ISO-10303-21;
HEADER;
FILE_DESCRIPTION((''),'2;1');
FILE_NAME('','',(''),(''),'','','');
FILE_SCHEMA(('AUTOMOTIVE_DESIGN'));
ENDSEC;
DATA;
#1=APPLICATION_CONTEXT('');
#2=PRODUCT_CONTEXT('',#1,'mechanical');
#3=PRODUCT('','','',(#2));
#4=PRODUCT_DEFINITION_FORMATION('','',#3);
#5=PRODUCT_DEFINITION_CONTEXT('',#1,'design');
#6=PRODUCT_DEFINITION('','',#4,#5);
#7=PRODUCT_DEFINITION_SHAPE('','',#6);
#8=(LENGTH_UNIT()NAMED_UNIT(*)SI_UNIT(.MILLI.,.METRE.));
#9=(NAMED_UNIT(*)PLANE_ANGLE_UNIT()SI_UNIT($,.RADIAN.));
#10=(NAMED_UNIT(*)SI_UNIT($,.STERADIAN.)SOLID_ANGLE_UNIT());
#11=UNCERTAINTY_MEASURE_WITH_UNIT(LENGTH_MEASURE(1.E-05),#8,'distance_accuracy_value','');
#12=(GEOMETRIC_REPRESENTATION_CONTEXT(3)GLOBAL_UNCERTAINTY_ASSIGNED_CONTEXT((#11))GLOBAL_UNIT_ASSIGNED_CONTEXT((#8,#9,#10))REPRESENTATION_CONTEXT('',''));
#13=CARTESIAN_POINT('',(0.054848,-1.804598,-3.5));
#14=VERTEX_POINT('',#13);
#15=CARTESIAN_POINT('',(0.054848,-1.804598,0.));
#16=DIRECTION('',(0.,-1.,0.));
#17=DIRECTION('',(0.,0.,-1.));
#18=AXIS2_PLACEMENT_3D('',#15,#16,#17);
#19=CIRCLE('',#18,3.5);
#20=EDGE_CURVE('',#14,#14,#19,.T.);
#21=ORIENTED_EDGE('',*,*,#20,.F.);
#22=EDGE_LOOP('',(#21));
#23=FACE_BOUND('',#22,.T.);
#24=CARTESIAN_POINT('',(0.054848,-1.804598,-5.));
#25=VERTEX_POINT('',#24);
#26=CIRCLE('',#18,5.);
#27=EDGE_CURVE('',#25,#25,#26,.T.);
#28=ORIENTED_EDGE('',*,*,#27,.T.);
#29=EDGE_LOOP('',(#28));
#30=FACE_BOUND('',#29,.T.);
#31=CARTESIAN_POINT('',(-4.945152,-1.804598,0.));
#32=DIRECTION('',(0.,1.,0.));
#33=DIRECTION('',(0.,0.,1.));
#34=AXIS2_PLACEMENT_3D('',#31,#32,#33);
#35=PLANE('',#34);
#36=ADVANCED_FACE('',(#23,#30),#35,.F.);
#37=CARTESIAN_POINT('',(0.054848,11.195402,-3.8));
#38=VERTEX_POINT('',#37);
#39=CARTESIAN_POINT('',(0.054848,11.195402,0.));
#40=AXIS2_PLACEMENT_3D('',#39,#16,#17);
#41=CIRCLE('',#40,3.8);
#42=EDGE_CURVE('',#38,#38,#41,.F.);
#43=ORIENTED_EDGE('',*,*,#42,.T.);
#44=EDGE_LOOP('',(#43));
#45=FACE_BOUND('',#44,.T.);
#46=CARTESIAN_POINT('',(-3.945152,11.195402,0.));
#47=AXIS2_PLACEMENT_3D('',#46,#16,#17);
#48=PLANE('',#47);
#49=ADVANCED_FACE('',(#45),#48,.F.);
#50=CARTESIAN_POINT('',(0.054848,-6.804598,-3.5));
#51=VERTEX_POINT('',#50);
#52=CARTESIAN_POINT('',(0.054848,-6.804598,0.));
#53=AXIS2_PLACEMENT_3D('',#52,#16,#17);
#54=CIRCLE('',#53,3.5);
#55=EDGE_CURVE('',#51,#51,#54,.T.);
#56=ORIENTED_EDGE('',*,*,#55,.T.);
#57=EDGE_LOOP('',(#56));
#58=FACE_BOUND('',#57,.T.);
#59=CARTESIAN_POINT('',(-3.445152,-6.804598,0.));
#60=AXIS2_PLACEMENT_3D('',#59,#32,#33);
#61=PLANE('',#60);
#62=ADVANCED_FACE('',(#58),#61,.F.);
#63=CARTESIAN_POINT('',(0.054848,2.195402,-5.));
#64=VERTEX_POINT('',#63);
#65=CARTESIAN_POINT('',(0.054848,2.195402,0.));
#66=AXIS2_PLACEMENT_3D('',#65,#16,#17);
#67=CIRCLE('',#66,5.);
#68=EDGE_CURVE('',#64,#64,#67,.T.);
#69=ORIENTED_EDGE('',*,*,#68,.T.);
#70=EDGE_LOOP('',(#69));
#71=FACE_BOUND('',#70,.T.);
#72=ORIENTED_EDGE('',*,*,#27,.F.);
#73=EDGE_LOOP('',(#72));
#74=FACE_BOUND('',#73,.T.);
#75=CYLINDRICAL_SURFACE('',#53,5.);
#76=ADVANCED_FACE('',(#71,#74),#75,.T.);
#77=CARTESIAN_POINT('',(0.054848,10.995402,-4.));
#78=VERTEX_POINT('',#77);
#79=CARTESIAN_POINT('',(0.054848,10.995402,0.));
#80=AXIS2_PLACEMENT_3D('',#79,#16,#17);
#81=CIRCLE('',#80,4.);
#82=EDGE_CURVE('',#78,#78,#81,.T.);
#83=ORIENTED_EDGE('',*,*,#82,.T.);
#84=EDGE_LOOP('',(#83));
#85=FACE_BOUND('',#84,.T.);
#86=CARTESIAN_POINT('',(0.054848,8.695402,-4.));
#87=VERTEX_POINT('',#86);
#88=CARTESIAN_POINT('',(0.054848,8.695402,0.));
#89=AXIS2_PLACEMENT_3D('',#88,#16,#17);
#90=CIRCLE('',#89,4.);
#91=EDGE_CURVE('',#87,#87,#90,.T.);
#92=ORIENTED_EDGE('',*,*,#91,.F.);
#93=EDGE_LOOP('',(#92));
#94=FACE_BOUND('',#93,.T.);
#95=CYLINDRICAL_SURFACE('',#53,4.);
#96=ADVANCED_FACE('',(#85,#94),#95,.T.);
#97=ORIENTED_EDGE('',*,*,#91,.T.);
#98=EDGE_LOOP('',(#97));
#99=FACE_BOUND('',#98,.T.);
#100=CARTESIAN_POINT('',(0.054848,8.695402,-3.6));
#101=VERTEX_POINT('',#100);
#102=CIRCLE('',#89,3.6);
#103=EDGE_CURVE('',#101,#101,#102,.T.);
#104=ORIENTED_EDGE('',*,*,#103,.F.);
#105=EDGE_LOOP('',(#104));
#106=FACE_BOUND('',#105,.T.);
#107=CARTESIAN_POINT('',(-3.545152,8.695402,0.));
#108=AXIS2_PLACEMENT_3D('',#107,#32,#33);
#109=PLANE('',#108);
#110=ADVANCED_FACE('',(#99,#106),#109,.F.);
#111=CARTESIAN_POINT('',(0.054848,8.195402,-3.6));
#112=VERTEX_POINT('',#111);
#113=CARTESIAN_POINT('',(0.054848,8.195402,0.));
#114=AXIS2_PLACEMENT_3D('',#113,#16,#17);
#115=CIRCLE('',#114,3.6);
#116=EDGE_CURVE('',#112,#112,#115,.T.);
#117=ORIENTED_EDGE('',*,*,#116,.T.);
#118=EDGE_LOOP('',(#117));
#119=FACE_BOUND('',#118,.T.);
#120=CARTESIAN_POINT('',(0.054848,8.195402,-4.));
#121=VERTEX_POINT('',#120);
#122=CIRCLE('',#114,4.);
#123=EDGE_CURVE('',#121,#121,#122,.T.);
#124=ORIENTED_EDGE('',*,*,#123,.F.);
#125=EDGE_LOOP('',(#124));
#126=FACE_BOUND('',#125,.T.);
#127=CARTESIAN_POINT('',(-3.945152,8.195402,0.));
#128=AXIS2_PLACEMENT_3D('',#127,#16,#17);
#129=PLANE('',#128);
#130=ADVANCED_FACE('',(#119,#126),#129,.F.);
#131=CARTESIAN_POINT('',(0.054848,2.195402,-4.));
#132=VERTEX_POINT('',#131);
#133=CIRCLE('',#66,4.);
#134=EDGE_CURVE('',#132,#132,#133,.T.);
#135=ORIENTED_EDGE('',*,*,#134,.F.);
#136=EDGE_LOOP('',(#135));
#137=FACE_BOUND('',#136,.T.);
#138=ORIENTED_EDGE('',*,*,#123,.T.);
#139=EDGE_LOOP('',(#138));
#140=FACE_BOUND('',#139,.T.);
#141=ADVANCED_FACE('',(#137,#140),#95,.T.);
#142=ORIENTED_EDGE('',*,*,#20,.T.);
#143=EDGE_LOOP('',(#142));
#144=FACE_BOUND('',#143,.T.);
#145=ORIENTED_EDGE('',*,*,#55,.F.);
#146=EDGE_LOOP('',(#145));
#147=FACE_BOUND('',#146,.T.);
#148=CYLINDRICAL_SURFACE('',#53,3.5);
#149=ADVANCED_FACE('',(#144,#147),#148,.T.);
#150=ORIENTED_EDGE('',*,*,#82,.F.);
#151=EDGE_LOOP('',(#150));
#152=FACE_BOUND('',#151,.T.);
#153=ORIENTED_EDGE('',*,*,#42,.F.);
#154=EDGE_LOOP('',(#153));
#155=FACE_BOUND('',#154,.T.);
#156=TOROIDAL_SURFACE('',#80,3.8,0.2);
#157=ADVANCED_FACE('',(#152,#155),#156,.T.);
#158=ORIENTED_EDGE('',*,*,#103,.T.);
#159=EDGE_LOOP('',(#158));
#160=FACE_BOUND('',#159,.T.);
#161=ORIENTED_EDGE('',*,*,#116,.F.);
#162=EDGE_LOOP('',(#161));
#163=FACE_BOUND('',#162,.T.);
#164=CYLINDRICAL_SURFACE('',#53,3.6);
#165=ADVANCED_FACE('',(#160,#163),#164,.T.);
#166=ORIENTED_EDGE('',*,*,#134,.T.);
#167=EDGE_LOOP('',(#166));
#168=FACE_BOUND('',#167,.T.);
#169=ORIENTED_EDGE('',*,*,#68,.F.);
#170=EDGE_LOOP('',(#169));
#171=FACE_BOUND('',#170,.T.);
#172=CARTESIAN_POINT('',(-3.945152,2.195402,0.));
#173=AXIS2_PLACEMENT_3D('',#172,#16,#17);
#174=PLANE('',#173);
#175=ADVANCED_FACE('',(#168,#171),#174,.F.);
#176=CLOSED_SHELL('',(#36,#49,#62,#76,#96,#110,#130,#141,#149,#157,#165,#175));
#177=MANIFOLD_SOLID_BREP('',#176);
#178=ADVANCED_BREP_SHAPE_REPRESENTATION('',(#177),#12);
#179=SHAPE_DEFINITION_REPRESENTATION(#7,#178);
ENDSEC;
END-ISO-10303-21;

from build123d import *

# Parameters (mm, degrees)
FILLET1_R = 0.2


with BuildPart() as part:
    # Sketch2 → Revolve1 (revolve)
    with BuildSketch(Plane.XY):
        Polygon((-3.9451521, 11.195402299), (-3.9451521, 8.695402299), (-3.5451521, 8.695402299), (-3.5451521, 8.195402299), (-3.9451521, 8.195402299), (-3.9451521, 2.195402299), (-4.9451521, 2.195402299), (-4.9451521, -1.804597701), (-3.4451521, -1.804597701), (-3.4451521, -6.804597701), (0.0548479, -6.804597701), (0.0548479, 11.195402299), align=None)
    revolve(axis=Axis((0.0548479, -6.804597701, 0), (0, 1, 0)))

    # Fillet1
    fillet1_edges = [part.edges().sort_by_distance(p)[0] for p in [
        (4.0548479, 11.195402299, 0),
    ]]
    fillet(fillet1_edges, radius=FILLET1_R)


solid = part.part
